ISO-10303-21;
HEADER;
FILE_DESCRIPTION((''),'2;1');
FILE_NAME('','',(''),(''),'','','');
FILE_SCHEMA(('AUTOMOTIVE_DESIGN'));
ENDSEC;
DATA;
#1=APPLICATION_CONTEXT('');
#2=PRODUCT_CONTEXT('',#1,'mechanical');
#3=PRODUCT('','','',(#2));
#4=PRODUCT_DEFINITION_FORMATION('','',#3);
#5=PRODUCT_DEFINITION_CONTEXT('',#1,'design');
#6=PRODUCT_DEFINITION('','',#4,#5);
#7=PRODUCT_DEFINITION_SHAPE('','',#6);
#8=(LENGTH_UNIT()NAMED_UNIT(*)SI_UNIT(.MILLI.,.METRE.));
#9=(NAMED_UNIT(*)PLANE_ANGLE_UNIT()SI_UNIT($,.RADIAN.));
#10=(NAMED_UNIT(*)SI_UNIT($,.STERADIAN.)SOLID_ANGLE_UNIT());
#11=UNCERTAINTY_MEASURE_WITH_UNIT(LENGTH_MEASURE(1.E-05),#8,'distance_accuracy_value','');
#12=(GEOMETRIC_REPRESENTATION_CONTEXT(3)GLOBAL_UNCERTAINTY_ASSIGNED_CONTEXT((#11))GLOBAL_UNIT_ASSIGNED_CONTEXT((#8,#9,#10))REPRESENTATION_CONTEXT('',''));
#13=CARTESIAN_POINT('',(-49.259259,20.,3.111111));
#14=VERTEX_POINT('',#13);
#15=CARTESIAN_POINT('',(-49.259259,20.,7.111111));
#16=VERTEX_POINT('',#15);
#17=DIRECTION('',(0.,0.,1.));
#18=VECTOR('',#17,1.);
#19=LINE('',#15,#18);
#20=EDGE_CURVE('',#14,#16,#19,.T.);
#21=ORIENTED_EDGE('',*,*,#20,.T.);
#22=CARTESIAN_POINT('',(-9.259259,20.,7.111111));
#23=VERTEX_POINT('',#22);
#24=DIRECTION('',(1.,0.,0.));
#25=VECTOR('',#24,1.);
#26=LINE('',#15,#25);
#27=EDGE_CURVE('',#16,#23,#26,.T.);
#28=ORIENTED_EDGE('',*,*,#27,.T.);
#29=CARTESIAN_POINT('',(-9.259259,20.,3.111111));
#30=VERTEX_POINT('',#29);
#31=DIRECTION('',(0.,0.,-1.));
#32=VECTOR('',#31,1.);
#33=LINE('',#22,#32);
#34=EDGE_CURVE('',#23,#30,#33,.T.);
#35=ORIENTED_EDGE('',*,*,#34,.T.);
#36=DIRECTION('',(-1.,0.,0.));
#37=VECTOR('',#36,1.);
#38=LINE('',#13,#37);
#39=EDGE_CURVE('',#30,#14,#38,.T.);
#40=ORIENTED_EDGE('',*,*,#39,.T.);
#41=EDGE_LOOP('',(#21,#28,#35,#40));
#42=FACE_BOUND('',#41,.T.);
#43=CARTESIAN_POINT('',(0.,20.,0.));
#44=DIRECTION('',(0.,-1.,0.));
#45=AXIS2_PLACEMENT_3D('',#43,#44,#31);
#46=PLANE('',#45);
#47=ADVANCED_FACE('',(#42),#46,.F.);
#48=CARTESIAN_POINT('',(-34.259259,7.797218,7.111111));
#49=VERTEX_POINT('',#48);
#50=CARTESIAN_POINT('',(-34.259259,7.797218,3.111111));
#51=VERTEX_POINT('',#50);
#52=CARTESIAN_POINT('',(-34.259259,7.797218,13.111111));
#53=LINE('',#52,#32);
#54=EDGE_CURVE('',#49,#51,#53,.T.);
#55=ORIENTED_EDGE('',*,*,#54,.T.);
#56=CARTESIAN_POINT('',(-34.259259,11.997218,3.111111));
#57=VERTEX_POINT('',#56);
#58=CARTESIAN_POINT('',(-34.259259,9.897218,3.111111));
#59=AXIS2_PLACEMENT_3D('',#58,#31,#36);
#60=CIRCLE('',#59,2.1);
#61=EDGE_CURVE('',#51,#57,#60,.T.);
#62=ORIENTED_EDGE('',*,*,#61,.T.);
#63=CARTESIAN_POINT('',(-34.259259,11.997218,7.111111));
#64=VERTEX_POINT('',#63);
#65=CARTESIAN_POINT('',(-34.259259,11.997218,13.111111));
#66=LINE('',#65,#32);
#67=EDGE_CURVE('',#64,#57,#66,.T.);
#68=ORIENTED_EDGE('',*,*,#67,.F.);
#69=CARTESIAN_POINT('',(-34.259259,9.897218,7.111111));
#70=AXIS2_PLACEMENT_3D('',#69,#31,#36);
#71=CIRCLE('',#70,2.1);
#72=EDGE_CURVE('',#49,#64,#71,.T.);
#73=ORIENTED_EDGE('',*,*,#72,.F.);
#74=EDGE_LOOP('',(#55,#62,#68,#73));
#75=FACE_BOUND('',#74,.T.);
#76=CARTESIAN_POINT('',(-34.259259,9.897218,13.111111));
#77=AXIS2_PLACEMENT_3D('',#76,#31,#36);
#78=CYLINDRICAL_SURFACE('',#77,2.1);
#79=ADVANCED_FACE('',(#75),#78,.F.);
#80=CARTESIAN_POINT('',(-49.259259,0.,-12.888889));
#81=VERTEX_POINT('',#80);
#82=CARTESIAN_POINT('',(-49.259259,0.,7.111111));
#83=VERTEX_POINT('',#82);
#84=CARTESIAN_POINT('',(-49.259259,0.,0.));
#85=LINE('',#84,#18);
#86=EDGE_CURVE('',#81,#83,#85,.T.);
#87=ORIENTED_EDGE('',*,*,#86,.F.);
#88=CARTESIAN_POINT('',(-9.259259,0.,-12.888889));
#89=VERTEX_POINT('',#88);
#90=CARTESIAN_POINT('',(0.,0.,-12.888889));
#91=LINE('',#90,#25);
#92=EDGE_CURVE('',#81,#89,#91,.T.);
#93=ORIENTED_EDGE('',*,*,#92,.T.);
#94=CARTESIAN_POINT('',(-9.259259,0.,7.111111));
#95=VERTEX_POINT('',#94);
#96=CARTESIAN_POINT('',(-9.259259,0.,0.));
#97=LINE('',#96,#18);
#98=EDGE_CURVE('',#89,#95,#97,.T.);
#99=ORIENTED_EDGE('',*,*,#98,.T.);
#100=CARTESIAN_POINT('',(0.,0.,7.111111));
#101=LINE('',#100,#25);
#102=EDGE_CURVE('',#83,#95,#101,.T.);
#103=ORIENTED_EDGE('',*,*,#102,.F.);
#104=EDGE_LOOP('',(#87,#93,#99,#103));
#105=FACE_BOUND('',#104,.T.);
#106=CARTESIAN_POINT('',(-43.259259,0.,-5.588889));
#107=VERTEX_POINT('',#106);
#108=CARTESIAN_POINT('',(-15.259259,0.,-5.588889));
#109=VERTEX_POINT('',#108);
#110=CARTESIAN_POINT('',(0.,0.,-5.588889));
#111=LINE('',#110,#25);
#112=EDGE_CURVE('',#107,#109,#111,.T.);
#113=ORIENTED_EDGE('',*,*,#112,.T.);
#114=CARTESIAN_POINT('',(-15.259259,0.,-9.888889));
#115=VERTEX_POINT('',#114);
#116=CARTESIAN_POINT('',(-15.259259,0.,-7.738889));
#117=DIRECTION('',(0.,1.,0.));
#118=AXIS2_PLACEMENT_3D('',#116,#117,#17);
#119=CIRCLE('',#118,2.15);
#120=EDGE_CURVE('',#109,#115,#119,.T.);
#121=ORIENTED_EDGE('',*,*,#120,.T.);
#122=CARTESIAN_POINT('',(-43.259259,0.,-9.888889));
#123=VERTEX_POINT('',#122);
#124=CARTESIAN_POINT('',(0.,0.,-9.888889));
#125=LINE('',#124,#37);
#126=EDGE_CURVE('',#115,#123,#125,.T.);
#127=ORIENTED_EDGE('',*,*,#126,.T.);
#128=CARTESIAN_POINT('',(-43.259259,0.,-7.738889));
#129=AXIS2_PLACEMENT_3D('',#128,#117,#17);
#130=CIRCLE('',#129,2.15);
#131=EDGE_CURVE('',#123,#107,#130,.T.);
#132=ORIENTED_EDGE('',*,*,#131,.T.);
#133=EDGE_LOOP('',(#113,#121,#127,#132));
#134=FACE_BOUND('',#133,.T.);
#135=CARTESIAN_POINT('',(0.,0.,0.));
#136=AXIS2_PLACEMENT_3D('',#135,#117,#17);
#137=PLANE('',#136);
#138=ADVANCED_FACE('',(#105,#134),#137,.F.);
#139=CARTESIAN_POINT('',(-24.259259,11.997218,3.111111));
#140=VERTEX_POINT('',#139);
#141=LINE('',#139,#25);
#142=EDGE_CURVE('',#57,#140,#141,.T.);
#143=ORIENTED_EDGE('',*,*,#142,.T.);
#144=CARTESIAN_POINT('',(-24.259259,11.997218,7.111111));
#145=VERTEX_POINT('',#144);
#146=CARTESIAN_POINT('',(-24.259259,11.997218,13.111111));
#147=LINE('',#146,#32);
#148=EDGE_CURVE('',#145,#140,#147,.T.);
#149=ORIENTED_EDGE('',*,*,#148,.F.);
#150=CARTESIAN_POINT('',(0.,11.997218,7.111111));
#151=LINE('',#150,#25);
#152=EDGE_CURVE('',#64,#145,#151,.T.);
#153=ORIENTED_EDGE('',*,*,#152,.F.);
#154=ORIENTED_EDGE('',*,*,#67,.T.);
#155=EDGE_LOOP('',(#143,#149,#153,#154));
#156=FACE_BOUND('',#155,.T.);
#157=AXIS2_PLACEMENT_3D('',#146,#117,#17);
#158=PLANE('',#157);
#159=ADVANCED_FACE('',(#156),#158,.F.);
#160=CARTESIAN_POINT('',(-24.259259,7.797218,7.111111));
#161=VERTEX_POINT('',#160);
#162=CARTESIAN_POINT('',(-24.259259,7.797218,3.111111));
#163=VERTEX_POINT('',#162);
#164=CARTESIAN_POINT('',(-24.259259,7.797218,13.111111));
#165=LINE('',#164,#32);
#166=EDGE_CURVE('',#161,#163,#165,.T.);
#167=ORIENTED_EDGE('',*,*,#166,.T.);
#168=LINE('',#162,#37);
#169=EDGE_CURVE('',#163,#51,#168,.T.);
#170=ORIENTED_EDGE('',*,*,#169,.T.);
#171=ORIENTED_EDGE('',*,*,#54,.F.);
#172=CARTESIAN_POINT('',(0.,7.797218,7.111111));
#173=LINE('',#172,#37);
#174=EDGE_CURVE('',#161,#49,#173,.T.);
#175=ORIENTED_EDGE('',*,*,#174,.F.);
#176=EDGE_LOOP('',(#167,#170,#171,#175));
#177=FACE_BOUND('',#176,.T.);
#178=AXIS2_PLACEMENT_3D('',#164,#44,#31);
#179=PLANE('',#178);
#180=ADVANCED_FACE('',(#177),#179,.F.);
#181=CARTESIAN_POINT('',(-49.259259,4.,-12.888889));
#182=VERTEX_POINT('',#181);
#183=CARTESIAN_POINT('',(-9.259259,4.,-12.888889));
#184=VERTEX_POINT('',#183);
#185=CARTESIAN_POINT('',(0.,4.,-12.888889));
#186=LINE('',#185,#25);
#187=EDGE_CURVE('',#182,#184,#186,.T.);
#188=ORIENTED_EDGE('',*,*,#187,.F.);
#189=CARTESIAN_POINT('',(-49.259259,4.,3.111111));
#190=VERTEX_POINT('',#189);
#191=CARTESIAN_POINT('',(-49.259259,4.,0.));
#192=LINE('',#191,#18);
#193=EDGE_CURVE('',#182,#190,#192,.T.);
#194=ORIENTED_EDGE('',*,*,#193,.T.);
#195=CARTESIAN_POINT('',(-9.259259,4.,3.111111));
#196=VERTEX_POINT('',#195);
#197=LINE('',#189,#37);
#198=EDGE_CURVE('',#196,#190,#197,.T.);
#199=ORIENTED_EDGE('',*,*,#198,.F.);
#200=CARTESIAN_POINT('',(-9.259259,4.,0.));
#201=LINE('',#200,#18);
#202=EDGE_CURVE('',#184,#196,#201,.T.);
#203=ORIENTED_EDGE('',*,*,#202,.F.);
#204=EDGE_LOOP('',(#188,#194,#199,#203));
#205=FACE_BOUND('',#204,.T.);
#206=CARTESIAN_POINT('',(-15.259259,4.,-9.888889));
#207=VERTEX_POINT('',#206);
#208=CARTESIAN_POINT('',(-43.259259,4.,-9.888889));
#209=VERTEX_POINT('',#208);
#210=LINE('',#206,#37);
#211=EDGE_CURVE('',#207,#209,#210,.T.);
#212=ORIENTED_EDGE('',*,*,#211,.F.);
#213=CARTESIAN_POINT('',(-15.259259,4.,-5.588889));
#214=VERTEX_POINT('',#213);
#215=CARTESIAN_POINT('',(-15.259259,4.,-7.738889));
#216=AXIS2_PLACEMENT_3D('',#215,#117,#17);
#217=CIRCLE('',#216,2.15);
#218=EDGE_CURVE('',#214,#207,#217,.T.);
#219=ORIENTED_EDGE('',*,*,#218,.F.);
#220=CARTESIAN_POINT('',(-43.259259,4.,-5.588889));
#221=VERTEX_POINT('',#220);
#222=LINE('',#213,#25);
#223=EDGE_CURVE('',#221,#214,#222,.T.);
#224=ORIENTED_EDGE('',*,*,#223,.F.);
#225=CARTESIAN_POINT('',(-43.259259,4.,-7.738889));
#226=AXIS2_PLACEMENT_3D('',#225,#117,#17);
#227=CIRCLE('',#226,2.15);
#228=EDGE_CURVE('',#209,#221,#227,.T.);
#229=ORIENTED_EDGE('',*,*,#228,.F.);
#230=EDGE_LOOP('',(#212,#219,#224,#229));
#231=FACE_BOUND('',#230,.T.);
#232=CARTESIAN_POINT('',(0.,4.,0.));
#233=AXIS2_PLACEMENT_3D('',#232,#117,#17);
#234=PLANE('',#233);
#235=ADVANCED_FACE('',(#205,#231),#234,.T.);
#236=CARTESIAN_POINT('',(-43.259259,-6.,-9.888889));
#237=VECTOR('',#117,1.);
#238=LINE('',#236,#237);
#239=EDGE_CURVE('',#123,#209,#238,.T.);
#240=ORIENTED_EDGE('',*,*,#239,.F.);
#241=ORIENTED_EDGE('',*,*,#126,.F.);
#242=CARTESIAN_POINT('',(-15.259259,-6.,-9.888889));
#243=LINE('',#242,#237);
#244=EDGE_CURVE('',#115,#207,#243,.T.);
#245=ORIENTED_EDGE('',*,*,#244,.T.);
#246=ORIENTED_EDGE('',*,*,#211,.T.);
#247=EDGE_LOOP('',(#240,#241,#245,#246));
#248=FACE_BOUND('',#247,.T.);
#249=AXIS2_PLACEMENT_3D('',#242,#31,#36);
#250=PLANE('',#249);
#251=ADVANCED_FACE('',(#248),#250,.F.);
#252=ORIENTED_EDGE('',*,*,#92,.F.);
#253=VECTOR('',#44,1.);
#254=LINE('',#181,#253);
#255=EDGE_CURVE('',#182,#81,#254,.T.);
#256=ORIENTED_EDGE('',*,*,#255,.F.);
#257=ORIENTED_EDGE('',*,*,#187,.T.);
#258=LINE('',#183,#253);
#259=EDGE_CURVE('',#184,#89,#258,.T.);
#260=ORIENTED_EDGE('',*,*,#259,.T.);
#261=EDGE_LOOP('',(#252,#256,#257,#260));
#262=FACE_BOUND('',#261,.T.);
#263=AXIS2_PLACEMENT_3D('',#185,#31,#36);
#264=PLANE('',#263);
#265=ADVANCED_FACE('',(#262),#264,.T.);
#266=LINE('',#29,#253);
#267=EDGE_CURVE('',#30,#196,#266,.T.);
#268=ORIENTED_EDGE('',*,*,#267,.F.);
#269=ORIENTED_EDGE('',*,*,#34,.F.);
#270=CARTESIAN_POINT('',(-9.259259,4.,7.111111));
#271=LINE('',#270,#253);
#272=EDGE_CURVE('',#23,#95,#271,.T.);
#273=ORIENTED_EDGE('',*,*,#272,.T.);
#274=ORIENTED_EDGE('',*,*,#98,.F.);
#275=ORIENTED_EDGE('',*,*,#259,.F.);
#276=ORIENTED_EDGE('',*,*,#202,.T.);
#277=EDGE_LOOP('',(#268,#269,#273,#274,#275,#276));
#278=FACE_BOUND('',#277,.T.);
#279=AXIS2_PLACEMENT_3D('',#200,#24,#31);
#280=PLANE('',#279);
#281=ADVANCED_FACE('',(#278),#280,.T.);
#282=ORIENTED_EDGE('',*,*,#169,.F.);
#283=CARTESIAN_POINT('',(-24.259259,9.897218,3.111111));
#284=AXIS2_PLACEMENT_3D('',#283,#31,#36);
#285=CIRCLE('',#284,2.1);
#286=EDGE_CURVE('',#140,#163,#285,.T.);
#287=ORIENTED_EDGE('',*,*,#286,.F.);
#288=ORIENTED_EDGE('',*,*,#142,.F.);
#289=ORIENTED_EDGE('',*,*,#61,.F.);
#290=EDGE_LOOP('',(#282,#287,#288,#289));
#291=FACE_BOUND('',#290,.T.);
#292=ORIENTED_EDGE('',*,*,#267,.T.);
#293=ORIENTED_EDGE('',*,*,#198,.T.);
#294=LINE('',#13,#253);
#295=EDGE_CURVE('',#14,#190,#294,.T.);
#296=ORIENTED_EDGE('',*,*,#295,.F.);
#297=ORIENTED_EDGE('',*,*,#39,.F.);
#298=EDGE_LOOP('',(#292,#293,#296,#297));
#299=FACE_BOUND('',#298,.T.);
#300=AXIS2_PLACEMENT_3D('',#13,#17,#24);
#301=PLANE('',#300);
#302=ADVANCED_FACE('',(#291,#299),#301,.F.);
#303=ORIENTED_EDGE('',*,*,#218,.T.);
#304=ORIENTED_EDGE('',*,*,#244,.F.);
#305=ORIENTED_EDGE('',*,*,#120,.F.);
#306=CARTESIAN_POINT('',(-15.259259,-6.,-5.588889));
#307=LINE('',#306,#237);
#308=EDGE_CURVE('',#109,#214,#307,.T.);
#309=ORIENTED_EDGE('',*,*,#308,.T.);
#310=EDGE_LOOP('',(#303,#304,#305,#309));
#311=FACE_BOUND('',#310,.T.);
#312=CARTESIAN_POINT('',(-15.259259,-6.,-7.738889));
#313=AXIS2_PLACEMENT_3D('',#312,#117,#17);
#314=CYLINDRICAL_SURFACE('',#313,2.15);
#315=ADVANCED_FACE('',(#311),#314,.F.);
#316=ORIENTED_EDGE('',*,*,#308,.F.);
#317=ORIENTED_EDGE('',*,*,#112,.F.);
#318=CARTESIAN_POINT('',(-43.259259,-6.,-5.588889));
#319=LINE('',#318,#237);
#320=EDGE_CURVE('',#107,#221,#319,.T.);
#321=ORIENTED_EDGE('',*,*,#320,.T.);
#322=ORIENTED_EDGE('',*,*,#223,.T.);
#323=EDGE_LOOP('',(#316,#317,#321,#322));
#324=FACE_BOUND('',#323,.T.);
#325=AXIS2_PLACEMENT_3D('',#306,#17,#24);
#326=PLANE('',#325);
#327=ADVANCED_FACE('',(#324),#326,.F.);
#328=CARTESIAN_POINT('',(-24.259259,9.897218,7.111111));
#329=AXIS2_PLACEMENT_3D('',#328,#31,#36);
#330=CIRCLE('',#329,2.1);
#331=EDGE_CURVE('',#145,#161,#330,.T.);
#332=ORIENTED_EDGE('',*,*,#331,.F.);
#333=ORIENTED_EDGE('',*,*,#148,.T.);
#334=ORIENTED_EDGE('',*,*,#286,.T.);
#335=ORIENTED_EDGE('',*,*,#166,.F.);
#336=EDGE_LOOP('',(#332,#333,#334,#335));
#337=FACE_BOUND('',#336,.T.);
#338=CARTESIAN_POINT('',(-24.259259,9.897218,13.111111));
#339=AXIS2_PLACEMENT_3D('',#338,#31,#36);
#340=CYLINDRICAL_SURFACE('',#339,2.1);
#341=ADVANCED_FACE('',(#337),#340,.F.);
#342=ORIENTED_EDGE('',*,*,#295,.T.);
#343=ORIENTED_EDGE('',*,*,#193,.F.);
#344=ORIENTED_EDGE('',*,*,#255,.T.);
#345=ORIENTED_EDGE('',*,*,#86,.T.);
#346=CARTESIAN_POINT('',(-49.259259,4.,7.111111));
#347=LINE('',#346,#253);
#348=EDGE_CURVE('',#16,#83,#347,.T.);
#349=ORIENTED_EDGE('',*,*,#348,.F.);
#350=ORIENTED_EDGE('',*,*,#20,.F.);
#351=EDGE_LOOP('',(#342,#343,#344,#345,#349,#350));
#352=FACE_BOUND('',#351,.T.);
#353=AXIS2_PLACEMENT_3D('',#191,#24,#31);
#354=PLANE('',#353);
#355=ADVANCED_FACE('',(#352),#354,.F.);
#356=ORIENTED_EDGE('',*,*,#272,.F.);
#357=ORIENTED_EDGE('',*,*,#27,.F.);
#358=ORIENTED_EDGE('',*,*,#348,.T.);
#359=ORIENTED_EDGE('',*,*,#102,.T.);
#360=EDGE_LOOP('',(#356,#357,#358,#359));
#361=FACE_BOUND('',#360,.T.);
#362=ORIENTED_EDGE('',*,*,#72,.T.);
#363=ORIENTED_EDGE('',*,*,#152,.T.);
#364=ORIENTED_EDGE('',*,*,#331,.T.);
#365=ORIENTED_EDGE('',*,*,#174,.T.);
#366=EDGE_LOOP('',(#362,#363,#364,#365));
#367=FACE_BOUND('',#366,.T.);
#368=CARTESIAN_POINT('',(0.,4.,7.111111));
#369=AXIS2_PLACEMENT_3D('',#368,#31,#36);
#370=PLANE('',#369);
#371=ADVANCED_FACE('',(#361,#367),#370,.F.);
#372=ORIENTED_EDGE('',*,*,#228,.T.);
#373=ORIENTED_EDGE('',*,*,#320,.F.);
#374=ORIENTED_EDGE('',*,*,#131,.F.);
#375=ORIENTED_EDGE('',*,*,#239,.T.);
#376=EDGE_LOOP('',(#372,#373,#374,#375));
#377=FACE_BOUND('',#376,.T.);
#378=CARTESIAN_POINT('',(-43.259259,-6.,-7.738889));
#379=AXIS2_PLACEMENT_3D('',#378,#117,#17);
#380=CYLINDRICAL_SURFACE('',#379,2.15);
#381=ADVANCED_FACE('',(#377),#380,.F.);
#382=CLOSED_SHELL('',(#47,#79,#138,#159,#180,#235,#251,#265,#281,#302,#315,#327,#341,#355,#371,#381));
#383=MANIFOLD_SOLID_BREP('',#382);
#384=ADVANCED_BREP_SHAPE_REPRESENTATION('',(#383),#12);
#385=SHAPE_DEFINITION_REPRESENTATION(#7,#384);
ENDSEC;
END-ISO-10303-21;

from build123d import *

# Parameters (mm, degrees)
SKETCH1_W           = 40
SKETCH1_H           = 20
BOSS_EXTRUDE1_DEPTH = 4
SKETCH5_W           = 40
SKETCH5_H           = 4
BOSS_EXTRUDE2_DEPTH = 16
CUT_EXTRUDE3_DEPTH  = 10
CUT_EXTRUDE5_DEPTH  = 10


with BuildPart() as part:
    # Sketch1 → Boss-Extrude1 (new body)
    with BuildSketch(Plane(origin=(0, 0, 0), x_dir=(1, 0, 0), z_dir=(0, 1, 0))):
        with Locations((-29.259259259, 2.888888889)):
            Rectangle(SKETCH1_W, SKETCH1_H)
    extrude(amount=BOSS_EXTRUDE1_DEPTH)

    # Sketch5 → Boss-Extrude2 (add)
    with BuildSketch(Plane(origin=(0, 4, 0), x_dir=(1, 0, 0), z_dir=(0, 1, 0))):
        with Locations((-29.259259259, -5.111111111)):
            Rectangle(SKETCH5_W, SKETCH5_H)
    extrude(amount=BOSS_EXTRUDE2_DEPTH)

    # Sketch7 → Cut-Extrude3 (cut)
    with BuildSketch(Plane(origin=(0, 4, 0), x_dir=(1, 0, 0), z_dir=(0, 1, 0))):
        with BuildLine():
            Line((-15.259259259, 5.588888889), (-43.259259259, 5.588888889))
            ThreePointArc((-43.259259259, 5.588888889), (-45.409259259, 7.738888889), (-43.259259259, 9.888888889))
            Line((-43.259259259, 9.888888889), (-15.259259259, 9.888888889))
            ThreePointArc((-15.259259259, 9.888888889), (-13.109259259, 7.738888889), (-15.259259259, 5.588888889))
        make_face()
    extrude(amount=-CUT_EXTRUDE3_DEPTH, mode=Mode.SUBTRACT)

    # Sketch8 → Cut-Extrude5 (cut)
    with BuildSketch(Plane(origin=(0, 0, 3.111111111), x_dir=(-1, 0, 0), z_dir=(0, 0, -1))):
        with BuildLine():
            Line((24.259259259, 11.997218425), (34.259259259, 11.997218425))
            ThreePointArc((34.259259259, 11.997218425), (36.359259259, 9.897218425), (34.259259259, 7.797218425))
            Line((34.259259259, 7.797218425), (24.259259259, 7.797218425))
            ThreePointArc((24.259259259, 7.797218425), (22.159259259, 9.897218425), (24.259259259, 11.997218425))
        make_face()
    extrude(amount=-CUT_EXTRUDE5_DEPTH, mode=Mode.SUBTRACT)


solid = part.part
